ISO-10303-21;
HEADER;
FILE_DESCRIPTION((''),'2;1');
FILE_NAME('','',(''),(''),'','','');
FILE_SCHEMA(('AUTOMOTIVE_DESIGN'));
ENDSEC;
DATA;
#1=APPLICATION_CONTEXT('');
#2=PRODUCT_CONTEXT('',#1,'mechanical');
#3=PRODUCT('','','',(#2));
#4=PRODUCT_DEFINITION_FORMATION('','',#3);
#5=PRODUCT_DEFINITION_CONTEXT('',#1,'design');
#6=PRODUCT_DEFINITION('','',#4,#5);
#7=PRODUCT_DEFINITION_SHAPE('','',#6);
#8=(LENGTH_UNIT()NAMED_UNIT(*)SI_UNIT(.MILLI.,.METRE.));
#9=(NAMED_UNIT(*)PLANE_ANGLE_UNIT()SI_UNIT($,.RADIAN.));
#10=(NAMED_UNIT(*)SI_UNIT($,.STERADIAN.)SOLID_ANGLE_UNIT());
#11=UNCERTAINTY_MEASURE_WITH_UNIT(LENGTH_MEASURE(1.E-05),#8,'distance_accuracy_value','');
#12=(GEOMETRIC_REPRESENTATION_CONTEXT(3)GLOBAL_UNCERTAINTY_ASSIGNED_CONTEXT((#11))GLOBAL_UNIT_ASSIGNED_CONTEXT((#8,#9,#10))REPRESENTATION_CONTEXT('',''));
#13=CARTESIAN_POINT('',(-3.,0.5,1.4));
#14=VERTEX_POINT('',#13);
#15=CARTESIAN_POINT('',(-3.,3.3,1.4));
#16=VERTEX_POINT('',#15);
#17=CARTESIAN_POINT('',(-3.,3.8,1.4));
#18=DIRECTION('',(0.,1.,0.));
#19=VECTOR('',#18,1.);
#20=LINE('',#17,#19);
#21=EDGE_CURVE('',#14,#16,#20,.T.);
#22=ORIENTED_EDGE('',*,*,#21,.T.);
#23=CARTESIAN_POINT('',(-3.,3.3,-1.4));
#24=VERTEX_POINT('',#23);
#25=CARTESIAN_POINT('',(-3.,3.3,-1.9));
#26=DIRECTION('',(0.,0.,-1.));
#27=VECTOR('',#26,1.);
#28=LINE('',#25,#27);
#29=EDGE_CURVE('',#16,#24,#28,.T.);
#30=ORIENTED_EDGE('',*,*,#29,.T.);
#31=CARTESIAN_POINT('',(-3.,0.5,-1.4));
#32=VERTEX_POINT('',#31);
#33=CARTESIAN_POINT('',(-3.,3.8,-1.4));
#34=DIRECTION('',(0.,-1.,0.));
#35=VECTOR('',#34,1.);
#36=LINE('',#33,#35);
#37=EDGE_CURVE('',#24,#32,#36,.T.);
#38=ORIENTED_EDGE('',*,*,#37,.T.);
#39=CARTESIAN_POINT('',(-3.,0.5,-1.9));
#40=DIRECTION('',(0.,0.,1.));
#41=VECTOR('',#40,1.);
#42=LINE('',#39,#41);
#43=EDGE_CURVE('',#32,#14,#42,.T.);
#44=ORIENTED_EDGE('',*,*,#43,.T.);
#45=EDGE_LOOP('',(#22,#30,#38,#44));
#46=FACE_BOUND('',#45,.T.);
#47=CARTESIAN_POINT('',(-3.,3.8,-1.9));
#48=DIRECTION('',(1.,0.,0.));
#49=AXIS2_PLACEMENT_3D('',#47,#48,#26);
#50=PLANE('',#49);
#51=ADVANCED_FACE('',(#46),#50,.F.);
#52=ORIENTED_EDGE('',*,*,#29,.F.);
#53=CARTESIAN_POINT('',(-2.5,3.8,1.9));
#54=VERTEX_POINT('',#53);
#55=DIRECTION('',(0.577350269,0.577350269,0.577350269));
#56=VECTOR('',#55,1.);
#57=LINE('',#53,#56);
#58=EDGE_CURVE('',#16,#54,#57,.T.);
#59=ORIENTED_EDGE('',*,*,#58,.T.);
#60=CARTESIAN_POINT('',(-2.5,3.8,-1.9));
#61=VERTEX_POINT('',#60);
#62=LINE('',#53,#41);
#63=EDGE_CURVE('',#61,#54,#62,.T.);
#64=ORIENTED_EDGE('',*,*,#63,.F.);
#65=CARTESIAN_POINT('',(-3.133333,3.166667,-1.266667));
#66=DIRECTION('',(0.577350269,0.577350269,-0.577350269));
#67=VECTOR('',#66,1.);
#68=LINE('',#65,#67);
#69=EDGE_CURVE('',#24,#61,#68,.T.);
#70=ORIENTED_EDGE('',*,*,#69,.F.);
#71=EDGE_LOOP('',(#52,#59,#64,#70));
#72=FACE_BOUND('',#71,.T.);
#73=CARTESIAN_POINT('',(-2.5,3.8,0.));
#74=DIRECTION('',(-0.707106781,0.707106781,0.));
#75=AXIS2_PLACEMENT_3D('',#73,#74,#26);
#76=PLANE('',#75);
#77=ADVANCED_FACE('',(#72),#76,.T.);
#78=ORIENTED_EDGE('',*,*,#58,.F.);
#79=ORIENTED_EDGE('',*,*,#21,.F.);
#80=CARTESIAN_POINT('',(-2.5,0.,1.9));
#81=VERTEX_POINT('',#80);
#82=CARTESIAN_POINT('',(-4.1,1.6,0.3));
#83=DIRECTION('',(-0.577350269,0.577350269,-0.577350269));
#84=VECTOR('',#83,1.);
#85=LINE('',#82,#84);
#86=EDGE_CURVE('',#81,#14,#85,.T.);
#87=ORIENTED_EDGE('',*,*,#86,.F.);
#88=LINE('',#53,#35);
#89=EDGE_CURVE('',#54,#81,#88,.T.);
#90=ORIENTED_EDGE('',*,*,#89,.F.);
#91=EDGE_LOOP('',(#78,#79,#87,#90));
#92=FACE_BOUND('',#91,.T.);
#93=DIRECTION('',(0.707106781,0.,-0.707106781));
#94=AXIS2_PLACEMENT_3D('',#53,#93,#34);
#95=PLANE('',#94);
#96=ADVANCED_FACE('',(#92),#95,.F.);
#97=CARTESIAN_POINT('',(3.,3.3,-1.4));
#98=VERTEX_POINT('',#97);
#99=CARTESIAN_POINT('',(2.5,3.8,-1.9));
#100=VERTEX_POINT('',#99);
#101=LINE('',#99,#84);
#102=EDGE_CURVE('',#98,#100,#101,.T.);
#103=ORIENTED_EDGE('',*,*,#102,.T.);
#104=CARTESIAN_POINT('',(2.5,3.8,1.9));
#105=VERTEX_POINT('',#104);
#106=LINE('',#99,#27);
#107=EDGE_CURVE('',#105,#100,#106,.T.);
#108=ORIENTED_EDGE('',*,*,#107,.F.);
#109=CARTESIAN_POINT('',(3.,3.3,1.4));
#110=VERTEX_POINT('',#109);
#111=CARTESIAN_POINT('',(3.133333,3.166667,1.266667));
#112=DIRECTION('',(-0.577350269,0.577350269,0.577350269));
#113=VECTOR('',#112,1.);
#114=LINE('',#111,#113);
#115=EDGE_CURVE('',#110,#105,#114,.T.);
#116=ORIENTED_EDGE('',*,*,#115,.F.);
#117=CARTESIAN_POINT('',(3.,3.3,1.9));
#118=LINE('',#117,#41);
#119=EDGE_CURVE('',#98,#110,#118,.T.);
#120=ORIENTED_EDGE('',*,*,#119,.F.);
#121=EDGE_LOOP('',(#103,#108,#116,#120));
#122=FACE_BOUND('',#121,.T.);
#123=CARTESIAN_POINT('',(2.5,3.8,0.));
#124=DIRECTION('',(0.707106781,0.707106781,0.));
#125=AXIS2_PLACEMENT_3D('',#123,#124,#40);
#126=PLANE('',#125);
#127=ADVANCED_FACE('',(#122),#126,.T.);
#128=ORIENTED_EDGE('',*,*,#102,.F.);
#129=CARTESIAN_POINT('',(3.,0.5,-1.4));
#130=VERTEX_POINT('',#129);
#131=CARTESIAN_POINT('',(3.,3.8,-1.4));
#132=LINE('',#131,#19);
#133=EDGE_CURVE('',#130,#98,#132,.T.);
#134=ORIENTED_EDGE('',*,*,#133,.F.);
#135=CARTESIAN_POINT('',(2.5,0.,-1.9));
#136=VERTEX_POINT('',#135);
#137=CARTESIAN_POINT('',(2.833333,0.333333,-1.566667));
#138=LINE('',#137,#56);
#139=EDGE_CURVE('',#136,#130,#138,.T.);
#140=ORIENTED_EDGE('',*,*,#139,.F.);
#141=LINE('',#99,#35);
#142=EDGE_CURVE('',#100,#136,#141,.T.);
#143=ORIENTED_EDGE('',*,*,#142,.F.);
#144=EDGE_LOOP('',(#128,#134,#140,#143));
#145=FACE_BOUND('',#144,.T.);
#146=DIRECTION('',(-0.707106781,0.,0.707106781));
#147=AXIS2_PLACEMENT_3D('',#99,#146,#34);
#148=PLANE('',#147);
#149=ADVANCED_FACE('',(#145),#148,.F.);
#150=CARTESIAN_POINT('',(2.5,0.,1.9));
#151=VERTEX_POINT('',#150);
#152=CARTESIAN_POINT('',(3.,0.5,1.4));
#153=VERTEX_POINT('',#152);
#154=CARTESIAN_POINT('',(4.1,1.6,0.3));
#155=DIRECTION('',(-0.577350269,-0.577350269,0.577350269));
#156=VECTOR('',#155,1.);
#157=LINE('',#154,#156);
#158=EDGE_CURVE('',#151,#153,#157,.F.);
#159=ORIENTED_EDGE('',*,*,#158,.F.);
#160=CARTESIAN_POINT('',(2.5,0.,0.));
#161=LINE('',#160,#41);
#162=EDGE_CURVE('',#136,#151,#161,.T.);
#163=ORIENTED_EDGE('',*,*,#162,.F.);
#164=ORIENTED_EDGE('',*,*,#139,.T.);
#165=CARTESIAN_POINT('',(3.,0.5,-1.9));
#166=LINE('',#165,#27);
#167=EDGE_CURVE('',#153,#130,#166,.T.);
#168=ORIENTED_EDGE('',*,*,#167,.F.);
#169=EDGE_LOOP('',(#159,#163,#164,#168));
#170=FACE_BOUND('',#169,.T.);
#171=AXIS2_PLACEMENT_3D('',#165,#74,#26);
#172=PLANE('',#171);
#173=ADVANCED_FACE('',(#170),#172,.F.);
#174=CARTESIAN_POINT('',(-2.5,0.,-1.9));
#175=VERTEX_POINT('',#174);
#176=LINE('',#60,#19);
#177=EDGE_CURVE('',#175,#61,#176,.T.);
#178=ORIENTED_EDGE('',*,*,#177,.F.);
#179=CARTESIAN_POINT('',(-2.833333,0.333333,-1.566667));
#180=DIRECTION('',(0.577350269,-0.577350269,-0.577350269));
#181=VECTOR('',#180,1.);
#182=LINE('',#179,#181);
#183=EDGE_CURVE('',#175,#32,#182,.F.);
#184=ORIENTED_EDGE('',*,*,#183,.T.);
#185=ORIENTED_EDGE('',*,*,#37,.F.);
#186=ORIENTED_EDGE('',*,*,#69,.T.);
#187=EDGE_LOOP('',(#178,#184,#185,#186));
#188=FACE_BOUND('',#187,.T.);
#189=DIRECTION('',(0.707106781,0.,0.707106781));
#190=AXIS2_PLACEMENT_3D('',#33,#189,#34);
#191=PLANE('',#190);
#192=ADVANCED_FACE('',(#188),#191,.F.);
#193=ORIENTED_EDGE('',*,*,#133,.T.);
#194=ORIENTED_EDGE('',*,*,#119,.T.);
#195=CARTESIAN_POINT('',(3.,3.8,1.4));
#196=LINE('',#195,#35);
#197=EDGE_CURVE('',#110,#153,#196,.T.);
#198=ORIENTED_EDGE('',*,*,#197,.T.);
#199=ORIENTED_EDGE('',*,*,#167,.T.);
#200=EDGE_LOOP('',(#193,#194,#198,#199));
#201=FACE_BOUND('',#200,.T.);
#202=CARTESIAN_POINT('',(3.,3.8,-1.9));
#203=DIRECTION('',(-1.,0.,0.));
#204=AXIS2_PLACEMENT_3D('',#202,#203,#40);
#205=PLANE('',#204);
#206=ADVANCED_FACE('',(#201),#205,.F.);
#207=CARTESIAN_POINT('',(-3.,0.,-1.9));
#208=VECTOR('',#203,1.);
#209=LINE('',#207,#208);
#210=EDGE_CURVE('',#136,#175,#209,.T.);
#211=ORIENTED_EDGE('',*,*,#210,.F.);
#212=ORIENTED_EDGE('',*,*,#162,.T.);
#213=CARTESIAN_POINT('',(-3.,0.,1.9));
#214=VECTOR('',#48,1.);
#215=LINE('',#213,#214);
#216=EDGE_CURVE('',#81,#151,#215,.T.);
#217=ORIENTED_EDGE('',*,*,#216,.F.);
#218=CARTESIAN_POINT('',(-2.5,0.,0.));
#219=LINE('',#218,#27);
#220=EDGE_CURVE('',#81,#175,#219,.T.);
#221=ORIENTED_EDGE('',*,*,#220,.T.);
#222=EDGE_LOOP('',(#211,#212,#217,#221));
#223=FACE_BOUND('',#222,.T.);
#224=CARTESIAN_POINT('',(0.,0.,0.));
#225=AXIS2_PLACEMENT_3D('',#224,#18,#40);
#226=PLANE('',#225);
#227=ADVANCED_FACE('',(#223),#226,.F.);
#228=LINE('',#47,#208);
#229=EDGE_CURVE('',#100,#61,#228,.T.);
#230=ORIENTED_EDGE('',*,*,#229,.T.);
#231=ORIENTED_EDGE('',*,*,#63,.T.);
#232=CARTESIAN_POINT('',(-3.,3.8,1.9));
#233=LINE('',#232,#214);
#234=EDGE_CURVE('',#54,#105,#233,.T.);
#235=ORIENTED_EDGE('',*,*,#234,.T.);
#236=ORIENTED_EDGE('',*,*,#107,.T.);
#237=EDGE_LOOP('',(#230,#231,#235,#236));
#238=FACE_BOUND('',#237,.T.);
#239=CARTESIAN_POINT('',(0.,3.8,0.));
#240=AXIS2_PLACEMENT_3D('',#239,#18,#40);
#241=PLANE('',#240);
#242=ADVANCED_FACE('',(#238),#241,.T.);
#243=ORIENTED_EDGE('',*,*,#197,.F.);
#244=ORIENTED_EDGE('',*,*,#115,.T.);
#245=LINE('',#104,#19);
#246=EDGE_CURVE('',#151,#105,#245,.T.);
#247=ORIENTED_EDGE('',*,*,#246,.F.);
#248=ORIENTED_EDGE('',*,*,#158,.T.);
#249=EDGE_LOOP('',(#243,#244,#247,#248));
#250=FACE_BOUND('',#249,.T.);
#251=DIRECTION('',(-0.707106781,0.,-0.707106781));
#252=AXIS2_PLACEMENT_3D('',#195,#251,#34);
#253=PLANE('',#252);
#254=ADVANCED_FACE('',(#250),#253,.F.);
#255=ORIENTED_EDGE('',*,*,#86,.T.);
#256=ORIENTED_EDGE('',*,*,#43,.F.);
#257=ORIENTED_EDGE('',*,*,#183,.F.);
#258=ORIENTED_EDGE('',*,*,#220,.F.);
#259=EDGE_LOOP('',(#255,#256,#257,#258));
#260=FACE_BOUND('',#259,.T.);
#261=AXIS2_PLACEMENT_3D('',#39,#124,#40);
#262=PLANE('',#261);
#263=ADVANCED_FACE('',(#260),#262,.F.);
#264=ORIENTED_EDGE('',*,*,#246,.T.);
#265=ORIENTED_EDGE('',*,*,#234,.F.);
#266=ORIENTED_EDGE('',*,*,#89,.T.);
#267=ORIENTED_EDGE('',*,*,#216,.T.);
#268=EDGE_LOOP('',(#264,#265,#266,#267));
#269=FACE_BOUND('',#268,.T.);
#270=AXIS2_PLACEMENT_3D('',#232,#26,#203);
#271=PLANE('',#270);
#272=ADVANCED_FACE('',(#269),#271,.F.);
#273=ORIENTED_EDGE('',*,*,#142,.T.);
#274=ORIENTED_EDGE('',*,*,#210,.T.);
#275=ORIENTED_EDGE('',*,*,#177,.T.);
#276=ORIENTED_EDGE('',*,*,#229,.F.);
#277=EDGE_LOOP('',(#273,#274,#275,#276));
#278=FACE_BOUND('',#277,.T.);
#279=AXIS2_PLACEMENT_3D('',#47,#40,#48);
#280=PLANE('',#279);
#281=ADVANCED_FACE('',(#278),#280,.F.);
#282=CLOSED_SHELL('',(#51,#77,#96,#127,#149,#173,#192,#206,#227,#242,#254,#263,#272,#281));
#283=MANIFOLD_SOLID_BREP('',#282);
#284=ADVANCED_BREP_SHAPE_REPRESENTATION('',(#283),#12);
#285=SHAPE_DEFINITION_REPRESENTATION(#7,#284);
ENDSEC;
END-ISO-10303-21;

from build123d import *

# Parameters (mm, degrees)
SKETCH1_W           = 6
SKETCH1_H           = 3.8
BOSS_EXTRUDE1_DEPTH = 3.8
CHAMFER1_SIZE       = 0.5


with BuildPart() as part:
    # Sketch1 → Boss-Extrude1 (new body)
    with BuildSketch(Plane(origin=(0, 0, 0), x_dir=(1, 0, 0), z_dir=(0, 1, 0))):
        Rectangle(SKETCH1_W, SKETCH1_H)
    extrude(amount=BOSS_EXTRUDE1_DEPTH)

    # Chamfer1
    chamfer1_edges = [part.edges().sort_by_distance(p)[0] for p in [
        (-3, 3.8, 0),
        (3, 3.8, 0),
        (-3, 0, 0),
        (3, 0, 0),
        (3, 1.9, 1.9),
        (-3, 1.9, 1.9),
        (-3, 1.9, -1.9),
        (3, 1.9, -1.9),
    ]]
    chamfer(chamfer1_edges, length=CHAMFER1_SIZE)


solid = part.part
